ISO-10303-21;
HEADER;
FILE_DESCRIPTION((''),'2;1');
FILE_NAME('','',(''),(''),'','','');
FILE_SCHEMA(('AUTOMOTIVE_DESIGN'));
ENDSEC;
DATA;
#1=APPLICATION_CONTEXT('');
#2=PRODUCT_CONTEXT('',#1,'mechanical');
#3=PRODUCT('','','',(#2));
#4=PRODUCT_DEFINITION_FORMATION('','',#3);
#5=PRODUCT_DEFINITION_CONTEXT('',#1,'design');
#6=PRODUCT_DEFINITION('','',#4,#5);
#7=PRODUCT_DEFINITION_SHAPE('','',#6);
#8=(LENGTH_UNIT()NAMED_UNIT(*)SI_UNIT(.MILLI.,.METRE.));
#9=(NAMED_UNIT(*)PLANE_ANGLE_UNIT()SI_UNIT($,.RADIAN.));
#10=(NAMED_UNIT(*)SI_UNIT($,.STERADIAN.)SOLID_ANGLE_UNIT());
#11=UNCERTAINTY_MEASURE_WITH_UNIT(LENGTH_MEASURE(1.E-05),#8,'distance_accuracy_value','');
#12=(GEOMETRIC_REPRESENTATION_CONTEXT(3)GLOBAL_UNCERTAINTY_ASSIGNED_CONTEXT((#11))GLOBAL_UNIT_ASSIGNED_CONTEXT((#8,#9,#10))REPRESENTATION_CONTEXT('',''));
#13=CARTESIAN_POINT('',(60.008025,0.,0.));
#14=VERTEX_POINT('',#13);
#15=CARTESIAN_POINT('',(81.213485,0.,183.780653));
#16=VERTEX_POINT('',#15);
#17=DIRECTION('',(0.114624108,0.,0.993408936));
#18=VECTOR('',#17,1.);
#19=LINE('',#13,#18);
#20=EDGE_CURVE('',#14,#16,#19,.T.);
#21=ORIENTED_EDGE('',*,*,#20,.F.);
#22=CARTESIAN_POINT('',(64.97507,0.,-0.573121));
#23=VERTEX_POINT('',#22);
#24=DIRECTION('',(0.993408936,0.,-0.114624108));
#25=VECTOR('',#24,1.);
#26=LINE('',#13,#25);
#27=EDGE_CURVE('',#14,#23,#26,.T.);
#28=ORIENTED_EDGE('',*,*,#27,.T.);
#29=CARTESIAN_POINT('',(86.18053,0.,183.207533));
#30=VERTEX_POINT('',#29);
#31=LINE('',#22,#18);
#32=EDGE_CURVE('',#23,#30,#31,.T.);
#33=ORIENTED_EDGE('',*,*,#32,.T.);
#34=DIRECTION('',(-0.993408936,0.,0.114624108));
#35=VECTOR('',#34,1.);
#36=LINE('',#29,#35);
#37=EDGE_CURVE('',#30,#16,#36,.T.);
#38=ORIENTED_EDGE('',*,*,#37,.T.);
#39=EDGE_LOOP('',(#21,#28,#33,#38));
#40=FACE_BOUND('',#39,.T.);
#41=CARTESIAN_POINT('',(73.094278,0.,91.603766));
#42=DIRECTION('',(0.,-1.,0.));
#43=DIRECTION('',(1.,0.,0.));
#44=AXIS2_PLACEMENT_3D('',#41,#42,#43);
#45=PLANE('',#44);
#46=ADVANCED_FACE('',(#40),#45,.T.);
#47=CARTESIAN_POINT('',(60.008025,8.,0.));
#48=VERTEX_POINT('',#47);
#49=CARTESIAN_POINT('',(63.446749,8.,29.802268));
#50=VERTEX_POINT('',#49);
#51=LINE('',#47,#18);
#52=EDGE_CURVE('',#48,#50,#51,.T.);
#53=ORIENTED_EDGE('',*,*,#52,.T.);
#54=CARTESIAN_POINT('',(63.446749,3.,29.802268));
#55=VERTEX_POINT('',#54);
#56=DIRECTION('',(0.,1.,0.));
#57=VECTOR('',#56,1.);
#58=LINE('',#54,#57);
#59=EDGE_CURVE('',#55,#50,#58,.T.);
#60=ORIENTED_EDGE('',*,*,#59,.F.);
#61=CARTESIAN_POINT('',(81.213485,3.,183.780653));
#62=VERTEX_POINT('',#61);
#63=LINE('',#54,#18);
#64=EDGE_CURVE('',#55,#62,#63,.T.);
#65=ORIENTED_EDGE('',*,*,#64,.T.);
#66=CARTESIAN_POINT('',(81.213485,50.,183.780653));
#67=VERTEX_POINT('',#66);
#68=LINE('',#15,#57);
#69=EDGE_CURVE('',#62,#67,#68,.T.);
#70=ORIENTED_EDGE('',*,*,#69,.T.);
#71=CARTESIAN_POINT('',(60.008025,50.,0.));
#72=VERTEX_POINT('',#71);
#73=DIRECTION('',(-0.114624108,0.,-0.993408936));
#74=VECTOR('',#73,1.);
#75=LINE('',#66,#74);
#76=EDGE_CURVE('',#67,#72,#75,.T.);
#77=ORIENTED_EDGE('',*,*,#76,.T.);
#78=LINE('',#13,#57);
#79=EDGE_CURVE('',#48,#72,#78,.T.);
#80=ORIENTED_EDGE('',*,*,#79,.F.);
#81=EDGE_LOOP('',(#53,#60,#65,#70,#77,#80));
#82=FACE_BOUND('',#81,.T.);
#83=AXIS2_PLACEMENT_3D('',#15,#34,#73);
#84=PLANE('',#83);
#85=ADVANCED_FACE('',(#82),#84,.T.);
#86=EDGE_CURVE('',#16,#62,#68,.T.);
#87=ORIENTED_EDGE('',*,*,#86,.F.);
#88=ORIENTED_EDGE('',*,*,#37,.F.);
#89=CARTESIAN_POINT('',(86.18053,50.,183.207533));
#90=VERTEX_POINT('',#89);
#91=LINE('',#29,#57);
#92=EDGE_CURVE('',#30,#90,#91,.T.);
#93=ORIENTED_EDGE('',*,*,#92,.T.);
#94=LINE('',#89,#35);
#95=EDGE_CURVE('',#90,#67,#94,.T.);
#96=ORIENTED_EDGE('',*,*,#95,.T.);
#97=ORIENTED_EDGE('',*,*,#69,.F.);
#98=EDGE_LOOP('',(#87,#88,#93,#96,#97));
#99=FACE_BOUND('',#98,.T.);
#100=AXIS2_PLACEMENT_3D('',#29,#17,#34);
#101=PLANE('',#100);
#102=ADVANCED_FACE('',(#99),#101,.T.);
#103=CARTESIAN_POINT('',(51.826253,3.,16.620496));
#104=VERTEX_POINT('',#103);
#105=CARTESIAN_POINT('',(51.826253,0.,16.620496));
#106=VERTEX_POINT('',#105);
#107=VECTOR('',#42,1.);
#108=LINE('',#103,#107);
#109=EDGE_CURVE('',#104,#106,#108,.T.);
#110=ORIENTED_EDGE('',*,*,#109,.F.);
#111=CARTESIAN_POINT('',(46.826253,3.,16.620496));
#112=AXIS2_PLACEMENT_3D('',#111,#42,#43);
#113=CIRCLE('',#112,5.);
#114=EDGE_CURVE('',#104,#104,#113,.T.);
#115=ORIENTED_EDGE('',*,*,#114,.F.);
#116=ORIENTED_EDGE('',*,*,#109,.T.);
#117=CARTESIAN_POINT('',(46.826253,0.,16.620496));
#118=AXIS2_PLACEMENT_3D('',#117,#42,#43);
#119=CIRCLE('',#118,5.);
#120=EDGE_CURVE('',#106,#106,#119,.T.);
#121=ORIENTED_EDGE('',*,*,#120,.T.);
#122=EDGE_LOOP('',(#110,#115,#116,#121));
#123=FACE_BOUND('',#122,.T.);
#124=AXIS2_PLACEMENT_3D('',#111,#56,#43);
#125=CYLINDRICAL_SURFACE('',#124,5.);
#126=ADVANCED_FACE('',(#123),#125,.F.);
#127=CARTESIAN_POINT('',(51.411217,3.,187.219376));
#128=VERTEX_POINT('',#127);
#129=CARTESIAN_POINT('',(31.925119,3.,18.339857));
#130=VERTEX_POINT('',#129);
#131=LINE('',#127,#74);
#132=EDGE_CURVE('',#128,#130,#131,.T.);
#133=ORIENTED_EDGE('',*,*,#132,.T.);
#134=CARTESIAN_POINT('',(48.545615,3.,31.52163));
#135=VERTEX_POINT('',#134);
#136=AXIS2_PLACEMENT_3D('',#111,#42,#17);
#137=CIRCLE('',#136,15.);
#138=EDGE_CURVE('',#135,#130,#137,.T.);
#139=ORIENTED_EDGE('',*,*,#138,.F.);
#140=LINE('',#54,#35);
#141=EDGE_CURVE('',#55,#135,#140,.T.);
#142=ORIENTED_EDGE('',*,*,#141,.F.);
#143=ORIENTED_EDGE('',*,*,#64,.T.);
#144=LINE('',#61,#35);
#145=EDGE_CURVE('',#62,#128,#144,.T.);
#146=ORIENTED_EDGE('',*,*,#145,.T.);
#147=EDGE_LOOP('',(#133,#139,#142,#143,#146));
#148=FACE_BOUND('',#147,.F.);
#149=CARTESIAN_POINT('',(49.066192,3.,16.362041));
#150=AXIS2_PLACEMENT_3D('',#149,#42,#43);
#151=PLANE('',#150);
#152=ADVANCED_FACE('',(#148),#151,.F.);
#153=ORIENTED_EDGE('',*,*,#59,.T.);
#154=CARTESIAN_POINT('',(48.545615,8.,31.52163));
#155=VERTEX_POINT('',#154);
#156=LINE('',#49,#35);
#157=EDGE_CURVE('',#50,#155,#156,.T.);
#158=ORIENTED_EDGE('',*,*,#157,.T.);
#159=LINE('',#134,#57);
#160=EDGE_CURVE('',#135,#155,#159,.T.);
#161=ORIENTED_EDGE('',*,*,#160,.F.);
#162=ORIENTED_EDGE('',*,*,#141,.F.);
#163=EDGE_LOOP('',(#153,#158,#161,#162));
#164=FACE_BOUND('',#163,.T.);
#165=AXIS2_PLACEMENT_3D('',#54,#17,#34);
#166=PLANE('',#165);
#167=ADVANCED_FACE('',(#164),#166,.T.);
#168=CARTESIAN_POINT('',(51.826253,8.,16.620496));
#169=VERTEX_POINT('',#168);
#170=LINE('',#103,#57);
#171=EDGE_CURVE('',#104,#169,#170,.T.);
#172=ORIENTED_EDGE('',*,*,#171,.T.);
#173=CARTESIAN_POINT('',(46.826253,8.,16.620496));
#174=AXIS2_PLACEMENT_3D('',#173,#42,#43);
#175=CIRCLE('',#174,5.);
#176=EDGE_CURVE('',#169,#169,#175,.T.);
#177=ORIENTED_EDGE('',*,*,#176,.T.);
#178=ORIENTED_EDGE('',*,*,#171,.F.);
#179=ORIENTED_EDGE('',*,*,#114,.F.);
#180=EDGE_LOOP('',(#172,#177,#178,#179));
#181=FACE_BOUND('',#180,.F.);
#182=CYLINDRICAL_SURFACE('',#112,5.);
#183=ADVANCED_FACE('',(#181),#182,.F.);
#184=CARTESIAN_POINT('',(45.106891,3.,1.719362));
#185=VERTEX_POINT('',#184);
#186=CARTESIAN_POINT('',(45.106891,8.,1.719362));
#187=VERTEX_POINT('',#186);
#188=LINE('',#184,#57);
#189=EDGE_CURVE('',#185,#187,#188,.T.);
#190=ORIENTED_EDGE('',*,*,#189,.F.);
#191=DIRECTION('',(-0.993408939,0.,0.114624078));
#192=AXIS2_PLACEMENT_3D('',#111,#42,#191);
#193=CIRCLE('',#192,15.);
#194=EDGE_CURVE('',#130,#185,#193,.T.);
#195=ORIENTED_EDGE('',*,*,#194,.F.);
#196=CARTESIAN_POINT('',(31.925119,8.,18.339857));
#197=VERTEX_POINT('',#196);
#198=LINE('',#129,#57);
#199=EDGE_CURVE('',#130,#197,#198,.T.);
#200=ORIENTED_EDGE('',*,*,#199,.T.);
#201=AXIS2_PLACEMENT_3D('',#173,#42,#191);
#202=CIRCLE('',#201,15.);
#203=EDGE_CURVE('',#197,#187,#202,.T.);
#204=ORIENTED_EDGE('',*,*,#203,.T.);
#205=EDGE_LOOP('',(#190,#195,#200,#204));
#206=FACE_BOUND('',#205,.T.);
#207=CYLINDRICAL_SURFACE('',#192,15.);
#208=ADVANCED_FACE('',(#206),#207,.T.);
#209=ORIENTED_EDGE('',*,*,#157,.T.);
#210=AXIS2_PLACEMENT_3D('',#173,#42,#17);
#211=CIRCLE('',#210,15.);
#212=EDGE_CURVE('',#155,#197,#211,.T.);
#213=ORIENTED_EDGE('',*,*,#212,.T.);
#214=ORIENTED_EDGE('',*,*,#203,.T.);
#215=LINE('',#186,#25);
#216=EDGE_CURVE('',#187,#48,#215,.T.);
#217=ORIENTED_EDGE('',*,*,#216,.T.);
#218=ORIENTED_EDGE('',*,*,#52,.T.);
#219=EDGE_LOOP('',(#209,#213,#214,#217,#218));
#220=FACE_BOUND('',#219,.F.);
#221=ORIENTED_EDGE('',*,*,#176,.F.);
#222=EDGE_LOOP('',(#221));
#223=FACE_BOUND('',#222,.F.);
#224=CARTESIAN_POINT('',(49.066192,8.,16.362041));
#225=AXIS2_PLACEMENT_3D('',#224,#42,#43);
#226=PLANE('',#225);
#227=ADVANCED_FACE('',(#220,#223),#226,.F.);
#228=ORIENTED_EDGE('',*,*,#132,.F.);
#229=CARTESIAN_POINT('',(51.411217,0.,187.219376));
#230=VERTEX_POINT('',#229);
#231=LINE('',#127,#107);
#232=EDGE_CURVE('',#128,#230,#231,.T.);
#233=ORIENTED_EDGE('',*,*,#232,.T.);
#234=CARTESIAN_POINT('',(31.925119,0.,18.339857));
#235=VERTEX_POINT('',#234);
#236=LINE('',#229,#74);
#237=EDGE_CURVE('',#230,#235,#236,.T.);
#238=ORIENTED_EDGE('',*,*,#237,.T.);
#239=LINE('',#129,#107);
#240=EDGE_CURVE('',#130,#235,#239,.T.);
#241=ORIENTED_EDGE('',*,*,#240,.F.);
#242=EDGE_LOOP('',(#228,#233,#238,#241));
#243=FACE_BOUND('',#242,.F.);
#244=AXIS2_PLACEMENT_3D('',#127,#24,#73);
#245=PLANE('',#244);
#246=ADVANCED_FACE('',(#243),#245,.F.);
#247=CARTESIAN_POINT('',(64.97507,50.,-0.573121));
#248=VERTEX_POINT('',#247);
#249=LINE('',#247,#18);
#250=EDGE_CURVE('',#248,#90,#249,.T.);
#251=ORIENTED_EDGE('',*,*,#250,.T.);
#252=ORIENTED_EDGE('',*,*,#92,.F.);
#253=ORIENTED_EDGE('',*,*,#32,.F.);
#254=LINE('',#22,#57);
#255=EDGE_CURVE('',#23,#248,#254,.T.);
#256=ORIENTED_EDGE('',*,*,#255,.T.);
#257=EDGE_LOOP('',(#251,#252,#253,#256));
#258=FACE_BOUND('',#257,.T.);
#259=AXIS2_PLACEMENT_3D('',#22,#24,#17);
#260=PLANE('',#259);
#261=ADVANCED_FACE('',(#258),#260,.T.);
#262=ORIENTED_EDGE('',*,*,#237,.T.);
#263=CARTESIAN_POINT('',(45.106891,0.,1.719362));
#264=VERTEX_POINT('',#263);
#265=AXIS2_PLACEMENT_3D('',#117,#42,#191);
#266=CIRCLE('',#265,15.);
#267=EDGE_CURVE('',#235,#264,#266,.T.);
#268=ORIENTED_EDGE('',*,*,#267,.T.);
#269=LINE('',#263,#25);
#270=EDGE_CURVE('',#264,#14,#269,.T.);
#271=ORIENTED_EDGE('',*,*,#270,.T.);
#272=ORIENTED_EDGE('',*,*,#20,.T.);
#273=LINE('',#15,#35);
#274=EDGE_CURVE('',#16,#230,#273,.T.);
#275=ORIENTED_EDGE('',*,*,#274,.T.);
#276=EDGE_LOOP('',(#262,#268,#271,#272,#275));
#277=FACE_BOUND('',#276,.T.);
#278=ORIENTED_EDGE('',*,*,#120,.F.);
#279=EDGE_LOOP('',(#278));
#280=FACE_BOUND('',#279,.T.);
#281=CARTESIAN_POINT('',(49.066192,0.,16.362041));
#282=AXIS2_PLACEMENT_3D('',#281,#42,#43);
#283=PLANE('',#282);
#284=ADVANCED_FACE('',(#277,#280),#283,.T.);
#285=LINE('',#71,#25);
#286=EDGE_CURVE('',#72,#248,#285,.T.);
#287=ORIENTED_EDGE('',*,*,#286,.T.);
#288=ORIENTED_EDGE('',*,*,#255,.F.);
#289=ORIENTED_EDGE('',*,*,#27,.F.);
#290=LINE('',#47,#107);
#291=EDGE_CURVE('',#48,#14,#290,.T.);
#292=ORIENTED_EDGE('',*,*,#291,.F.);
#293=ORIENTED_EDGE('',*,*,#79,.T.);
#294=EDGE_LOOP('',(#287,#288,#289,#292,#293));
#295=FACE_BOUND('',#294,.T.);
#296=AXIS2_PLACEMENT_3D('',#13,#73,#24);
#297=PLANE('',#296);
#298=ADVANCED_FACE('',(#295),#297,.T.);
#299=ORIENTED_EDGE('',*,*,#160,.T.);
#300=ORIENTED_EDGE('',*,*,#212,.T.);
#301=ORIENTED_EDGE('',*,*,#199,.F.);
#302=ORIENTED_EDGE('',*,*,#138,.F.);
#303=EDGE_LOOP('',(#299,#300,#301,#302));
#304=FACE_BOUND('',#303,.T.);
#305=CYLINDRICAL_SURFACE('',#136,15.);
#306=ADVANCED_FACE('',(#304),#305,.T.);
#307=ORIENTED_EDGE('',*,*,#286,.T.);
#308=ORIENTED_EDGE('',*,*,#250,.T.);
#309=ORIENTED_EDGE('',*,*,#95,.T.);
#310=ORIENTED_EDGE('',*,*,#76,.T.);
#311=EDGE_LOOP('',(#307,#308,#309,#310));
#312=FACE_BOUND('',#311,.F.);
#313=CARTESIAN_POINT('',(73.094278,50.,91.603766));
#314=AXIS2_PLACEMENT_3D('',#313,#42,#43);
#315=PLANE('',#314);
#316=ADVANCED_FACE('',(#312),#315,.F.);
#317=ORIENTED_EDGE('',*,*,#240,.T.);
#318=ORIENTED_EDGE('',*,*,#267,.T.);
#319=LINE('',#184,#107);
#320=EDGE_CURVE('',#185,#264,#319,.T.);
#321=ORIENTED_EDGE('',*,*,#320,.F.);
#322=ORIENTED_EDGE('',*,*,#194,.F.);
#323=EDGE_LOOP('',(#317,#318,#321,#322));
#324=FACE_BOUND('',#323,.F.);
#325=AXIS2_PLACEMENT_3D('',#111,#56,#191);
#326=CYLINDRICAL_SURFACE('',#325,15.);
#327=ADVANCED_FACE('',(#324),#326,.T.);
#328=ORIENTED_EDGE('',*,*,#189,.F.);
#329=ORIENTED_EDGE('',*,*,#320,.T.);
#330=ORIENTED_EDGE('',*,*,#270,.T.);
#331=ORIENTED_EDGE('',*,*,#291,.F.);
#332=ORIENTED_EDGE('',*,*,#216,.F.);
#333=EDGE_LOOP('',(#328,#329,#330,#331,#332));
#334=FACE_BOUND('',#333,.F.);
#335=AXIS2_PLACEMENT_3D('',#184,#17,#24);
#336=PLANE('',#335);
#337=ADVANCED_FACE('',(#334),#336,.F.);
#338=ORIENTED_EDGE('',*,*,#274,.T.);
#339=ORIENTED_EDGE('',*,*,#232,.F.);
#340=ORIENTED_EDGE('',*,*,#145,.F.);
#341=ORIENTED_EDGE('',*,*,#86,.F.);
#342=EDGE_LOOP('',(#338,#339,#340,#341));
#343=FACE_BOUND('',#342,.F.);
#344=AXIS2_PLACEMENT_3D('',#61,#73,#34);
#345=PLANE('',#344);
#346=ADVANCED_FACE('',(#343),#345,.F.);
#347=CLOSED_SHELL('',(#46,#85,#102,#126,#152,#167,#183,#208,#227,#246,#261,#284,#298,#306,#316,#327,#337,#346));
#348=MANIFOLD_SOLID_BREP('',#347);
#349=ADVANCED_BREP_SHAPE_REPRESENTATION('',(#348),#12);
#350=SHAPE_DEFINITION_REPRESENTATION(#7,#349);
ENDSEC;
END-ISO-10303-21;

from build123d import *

# Parameters (mm, degrees)
F1_DEPTH = 50
F3_R     = 5
F4_DEPTH = 5
F5_DEPTH = 3


with BuildPart() as f1:
    # F0 (on Front) → F1 (new body)
    with BuildSketch(Plane.XZ):
        Polygon((86.1805300464, 183.2075325962), (81.2134853671, 183.7806531362), (60.0080253898, 0), (64.9750700692, -0.5731205399), align=None)
    extrude(amount=-F1_DEPTH)

    # F3 (on offset) → F4 (join)
    with BuildSketch(Plane.XZ.offset(-3)):
        with BuildLine():
            Line((45.1068913518, 1.7193616198), (60.0080253898, 0))
            Line((60.0080253898, 0), (63.4467486294, 29.8022680761))
            Line((63.4467486294, 29.8022680761), (48.5456145913, 31.5216296959))
            ThreePointArc((48.5456145913, 31.5216296959), (37.5053321271, 28.3729607019), (31.925118881, 18.3398568227))
            ThreePointArc((31.925118881, 18.3398568227), (35.0737879275, 7.2995748134), (45.1068913518, 1.7193616198))
        make_face()
        with Locations((46.8262529715, 16.6204956578)):
            Circle(F3_R, mode=Mode.SUBTRACT)
    extrude(amount=-F4_DEPTH)

    # F3 (on offset) → F5 (join)
    with BuildSketch(Plane.XZ.offset(-3)):
        with BuildLine():
            Line((45.1068913518, 1.7193616198), (60.0080253898, 0))
            Line((60.0080253898, 0), (63.4467486294, 29.8022680761))
            Line((63.4467486294, 29.8022680761), (48.5456145913, 31.5216296959))
            ThreePointArc((48.5456145913, 31.5216296959), (37.5053321271, 28.3729607019), (31.925118881, 18.3398568227))
            ThreePointArc((31.925118881, 18.3398568227), (35.0737879275, 7.2995748134), (45.1068913518, 1.7193616198))
        make_face()
        with Locations((46.8262529715, 16.6204956578)):
            Circle(F3_R, mode=Mode.SUBTRACT)
        with BuildLine():
            Line((48.5456145913, 31.5216296959), (63.4467486294, 29.8022680761))
            Line((63.4467486294, 29.8022680761), (81.2134853671, 183.7806531362))
            Line((81.2134853671, 183.7806531362), (51.411217291, 187.2193763757))
            Line((51.411217291, 187.2193763757), (31.925118881, 18.3398568227))
            ThreePointArc((31.925118881, 18.3398568227), (37.5053321271, 28.3729607019), (48.5456145913, 31.5216296959))
        make_face()
    extrude(amount=F5_DEPTH)


solid = f1.part
